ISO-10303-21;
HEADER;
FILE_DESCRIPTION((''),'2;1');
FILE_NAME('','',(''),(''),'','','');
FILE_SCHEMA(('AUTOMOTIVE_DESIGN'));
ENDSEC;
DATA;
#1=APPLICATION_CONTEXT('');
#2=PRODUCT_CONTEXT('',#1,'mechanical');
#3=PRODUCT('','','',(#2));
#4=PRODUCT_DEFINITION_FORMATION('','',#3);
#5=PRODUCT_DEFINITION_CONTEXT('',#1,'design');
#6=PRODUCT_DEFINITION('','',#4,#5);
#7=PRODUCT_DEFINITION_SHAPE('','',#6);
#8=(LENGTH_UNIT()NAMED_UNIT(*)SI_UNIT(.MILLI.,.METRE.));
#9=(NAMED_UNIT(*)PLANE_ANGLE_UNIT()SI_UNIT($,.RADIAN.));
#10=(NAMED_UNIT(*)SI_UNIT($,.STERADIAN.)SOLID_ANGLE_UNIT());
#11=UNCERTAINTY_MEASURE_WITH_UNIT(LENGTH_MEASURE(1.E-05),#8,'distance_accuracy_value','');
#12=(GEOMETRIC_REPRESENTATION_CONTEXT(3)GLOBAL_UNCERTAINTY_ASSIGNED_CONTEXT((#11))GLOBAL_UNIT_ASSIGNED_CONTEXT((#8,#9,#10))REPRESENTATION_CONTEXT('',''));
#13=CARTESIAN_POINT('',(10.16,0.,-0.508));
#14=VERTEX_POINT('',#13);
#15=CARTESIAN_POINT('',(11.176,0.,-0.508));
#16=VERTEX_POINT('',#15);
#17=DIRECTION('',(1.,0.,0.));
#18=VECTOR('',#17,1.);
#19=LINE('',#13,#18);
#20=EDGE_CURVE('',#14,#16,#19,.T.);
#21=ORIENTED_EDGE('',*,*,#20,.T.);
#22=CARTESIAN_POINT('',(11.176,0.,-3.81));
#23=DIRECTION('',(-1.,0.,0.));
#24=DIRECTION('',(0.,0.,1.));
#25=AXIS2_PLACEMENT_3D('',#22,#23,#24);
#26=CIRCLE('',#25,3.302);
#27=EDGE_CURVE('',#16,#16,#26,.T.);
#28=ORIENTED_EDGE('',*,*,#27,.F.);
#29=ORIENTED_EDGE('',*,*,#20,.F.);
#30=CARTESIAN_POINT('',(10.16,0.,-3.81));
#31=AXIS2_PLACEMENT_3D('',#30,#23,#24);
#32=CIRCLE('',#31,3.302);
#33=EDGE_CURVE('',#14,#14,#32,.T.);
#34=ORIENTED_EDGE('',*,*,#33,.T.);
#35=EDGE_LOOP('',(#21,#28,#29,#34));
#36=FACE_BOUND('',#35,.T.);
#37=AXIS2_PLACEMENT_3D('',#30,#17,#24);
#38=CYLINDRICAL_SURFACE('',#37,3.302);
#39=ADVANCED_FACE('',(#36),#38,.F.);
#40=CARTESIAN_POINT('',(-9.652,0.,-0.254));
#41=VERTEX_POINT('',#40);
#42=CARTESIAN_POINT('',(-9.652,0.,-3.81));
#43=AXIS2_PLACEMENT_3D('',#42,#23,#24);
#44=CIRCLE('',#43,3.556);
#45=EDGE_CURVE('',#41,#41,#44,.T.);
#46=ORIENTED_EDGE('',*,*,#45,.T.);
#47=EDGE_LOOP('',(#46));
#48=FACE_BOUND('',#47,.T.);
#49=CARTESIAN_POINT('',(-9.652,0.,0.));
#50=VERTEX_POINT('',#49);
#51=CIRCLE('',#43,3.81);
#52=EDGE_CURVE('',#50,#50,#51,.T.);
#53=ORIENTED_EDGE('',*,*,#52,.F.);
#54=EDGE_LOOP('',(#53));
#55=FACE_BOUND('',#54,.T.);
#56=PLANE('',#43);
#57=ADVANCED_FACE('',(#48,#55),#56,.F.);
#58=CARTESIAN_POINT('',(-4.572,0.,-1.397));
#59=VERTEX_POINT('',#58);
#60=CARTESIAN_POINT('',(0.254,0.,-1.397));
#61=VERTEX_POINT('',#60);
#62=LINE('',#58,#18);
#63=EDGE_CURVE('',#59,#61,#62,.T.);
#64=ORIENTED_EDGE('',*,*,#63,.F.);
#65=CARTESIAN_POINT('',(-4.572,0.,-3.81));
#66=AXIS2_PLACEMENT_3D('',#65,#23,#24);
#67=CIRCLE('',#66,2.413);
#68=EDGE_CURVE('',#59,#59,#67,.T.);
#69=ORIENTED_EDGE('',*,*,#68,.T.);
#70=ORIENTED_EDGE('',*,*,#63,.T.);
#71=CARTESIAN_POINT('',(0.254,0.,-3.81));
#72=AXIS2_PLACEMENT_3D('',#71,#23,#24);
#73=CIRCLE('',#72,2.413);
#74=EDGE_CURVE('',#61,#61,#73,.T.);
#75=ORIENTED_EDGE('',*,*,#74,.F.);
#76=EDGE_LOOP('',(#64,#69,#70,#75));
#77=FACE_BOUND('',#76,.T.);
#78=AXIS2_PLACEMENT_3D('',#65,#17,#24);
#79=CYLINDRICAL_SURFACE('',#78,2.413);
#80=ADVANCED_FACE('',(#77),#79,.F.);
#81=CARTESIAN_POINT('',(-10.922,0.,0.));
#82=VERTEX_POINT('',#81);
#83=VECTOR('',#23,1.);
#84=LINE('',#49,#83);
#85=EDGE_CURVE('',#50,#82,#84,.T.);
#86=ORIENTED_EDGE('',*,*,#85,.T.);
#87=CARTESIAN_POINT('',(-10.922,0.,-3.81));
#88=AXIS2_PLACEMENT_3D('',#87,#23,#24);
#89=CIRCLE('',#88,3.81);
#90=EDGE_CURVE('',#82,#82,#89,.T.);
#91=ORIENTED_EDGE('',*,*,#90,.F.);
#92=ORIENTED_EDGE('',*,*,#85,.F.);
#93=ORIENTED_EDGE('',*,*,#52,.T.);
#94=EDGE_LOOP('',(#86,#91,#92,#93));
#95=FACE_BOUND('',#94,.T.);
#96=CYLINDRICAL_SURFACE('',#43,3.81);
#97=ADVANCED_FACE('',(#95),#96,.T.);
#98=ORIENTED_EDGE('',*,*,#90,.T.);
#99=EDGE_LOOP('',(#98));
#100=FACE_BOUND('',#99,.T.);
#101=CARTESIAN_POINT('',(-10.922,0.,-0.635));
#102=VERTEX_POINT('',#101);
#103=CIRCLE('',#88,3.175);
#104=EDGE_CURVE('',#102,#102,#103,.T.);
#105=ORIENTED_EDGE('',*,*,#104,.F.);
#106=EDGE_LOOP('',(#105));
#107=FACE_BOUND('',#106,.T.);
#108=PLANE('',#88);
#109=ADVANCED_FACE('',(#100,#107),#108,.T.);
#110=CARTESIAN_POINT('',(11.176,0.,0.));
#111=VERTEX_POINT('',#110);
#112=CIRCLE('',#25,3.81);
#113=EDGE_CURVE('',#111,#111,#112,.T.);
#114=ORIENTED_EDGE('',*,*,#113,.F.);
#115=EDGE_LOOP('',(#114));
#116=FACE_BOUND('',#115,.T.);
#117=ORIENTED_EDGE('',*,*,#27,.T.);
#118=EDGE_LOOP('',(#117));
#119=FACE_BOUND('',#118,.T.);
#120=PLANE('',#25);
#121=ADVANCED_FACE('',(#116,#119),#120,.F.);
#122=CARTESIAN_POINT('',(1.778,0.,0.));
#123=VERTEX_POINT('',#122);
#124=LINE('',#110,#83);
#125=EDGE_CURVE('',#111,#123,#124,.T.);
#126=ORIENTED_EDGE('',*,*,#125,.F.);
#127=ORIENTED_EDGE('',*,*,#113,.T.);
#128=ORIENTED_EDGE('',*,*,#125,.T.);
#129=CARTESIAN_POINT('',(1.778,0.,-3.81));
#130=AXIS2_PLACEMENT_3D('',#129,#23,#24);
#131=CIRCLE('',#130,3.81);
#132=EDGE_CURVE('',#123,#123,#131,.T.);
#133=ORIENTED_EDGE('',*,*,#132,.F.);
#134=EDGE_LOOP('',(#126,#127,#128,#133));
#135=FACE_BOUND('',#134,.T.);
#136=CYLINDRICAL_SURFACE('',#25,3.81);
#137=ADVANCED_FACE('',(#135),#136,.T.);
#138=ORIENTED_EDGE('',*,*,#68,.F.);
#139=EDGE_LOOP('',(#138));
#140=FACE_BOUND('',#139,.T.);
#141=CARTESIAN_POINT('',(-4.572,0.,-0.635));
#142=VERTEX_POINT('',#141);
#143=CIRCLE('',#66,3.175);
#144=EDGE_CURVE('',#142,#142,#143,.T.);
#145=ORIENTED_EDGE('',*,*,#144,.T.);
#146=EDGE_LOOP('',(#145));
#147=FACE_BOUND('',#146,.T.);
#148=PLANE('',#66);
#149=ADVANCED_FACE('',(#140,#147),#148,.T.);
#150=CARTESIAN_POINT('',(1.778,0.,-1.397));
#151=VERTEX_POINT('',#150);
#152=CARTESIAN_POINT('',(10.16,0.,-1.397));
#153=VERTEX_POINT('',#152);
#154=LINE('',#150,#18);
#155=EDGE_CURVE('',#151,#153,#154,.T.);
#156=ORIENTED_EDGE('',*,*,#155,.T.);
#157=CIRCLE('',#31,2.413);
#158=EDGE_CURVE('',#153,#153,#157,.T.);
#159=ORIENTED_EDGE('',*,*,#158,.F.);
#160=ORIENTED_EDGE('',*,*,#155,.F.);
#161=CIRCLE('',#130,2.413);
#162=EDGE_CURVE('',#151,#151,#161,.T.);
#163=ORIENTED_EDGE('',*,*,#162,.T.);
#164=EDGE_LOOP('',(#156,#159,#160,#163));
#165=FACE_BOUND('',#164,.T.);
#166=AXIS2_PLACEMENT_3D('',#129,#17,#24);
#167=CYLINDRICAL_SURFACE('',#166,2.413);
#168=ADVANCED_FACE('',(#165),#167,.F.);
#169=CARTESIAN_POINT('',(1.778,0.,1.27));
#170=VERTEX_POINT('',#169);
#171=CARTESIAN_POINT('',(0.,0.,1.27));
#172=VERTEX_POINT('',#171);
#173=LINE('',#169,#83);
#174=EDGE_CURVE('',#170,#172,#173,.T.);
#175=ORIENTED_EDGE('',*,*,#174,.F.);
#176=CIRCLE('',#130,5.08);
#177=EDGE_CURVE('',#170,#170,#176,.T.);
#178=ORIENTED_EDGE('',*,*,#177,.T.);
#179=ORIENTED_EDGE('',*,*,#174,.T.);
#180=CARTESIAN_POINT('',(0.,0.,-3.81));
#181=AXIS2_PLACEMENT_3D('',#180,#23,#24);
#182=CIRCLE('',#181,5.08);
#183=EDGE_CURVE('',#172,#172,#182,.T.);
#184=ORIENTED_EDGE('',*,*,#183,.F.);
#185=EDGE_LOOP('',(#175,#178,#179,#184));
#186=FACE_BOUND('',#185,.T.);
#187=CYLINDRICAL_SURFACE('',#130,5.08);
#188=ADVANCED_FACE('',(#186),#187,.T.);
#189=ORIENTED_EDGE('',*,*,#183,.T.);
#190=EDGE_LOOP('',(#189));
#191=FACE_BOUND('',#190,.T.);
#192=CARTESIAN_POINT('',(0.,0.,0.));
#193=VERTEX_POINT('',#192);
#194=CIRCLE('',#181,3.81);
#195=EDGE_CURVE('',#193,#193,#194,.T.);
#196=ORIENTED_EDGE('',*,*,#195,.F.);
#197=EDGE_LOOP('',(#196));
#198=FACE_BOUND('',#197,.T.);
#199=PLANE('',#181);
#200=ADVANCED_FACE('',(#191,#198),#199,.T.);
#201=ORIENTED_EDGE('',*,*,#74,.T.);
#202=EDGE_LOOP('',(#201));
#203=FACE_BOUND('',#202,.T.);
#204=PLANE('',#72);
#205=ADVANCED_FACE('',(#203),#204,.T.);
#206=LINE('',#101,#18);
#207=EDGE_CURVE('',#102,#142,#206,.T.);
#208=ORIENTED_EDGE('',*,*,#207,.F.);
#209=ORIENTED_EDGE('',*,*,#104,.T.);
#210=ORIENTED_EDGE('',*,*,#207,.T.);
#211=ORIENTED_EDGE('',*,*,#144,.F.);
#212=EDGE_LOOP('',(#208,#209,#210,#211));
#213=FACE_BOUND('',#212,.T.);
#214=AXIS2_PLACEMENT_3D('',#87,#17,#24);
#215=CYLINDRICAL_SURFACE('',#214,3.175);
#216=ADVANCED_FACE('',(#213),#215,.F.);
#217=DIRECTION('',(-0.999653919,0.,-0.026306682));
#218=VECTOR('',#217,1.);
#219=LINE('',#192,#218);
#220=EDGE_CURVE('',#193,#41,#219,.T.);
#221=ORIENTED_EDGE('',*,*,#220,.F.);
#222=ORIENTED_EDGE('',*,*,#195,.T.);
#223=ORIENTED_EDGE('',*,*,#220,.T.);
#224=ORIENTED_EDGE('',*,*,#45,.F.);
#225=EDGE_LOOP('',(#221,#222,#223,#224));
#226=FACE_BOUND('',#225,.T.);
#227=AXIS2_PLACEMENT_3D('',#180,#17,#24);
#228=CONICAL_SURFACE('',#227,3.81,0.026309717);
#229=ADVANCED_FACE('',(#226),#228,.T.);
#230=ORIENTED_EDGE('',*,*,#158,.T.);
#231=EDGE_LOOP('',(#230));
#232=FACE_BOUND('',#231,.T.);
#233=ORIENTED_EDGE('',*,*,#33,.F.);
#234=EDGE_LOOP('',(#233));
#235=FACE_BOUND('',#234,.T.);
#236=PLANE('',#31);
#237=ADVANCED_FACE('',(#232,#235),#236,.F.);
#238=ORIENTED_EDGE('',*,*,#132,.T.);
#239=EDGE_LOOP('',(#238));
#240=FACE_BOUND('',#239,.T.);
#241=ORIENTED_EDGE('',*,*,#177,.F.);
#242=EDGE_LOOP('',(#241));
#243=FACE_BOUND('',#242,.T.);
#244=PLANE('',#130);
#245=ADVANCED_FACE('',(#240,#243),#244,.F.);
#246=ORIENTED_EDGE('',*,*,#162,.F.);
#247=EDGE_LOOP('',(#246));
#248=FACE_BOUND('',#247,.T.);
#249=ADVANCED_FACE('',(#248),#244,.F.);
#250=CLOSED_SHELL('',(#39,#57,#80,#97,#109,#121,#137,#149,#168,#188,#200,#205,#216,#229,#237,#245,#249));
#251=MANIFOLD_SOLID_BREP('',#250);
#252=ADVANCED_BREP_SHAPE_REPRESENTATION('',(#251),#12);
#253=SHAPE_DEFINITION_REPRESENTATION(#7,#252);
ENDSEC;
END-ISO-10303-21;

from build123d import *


with BuildPart() as f1:
    # F0 (on Front) → F1 (revolve)
    with BuildSketch(Plane.XZ):
        Polygon((0, 1.27), (0, 0), (-9.652, -0.254), (-9.652, 0), (-10.922, 0), (-10.922, -0.635), (-4.572, -0.635), (-4.572, -1.397), (0.254, -1.397), (0.254, -3.81), (1.778, -3.81), (1.778, -1.397), (10.16, -1.397), (10.16, -0.508), (11.176, -0.508), (11.176, 0), (1.778, 0), (1.778, 1.27), align=None)
    revolve(axis=Axis((1.016, 0, -3.81), (-1, 0, 0)))


solid = f1.part
